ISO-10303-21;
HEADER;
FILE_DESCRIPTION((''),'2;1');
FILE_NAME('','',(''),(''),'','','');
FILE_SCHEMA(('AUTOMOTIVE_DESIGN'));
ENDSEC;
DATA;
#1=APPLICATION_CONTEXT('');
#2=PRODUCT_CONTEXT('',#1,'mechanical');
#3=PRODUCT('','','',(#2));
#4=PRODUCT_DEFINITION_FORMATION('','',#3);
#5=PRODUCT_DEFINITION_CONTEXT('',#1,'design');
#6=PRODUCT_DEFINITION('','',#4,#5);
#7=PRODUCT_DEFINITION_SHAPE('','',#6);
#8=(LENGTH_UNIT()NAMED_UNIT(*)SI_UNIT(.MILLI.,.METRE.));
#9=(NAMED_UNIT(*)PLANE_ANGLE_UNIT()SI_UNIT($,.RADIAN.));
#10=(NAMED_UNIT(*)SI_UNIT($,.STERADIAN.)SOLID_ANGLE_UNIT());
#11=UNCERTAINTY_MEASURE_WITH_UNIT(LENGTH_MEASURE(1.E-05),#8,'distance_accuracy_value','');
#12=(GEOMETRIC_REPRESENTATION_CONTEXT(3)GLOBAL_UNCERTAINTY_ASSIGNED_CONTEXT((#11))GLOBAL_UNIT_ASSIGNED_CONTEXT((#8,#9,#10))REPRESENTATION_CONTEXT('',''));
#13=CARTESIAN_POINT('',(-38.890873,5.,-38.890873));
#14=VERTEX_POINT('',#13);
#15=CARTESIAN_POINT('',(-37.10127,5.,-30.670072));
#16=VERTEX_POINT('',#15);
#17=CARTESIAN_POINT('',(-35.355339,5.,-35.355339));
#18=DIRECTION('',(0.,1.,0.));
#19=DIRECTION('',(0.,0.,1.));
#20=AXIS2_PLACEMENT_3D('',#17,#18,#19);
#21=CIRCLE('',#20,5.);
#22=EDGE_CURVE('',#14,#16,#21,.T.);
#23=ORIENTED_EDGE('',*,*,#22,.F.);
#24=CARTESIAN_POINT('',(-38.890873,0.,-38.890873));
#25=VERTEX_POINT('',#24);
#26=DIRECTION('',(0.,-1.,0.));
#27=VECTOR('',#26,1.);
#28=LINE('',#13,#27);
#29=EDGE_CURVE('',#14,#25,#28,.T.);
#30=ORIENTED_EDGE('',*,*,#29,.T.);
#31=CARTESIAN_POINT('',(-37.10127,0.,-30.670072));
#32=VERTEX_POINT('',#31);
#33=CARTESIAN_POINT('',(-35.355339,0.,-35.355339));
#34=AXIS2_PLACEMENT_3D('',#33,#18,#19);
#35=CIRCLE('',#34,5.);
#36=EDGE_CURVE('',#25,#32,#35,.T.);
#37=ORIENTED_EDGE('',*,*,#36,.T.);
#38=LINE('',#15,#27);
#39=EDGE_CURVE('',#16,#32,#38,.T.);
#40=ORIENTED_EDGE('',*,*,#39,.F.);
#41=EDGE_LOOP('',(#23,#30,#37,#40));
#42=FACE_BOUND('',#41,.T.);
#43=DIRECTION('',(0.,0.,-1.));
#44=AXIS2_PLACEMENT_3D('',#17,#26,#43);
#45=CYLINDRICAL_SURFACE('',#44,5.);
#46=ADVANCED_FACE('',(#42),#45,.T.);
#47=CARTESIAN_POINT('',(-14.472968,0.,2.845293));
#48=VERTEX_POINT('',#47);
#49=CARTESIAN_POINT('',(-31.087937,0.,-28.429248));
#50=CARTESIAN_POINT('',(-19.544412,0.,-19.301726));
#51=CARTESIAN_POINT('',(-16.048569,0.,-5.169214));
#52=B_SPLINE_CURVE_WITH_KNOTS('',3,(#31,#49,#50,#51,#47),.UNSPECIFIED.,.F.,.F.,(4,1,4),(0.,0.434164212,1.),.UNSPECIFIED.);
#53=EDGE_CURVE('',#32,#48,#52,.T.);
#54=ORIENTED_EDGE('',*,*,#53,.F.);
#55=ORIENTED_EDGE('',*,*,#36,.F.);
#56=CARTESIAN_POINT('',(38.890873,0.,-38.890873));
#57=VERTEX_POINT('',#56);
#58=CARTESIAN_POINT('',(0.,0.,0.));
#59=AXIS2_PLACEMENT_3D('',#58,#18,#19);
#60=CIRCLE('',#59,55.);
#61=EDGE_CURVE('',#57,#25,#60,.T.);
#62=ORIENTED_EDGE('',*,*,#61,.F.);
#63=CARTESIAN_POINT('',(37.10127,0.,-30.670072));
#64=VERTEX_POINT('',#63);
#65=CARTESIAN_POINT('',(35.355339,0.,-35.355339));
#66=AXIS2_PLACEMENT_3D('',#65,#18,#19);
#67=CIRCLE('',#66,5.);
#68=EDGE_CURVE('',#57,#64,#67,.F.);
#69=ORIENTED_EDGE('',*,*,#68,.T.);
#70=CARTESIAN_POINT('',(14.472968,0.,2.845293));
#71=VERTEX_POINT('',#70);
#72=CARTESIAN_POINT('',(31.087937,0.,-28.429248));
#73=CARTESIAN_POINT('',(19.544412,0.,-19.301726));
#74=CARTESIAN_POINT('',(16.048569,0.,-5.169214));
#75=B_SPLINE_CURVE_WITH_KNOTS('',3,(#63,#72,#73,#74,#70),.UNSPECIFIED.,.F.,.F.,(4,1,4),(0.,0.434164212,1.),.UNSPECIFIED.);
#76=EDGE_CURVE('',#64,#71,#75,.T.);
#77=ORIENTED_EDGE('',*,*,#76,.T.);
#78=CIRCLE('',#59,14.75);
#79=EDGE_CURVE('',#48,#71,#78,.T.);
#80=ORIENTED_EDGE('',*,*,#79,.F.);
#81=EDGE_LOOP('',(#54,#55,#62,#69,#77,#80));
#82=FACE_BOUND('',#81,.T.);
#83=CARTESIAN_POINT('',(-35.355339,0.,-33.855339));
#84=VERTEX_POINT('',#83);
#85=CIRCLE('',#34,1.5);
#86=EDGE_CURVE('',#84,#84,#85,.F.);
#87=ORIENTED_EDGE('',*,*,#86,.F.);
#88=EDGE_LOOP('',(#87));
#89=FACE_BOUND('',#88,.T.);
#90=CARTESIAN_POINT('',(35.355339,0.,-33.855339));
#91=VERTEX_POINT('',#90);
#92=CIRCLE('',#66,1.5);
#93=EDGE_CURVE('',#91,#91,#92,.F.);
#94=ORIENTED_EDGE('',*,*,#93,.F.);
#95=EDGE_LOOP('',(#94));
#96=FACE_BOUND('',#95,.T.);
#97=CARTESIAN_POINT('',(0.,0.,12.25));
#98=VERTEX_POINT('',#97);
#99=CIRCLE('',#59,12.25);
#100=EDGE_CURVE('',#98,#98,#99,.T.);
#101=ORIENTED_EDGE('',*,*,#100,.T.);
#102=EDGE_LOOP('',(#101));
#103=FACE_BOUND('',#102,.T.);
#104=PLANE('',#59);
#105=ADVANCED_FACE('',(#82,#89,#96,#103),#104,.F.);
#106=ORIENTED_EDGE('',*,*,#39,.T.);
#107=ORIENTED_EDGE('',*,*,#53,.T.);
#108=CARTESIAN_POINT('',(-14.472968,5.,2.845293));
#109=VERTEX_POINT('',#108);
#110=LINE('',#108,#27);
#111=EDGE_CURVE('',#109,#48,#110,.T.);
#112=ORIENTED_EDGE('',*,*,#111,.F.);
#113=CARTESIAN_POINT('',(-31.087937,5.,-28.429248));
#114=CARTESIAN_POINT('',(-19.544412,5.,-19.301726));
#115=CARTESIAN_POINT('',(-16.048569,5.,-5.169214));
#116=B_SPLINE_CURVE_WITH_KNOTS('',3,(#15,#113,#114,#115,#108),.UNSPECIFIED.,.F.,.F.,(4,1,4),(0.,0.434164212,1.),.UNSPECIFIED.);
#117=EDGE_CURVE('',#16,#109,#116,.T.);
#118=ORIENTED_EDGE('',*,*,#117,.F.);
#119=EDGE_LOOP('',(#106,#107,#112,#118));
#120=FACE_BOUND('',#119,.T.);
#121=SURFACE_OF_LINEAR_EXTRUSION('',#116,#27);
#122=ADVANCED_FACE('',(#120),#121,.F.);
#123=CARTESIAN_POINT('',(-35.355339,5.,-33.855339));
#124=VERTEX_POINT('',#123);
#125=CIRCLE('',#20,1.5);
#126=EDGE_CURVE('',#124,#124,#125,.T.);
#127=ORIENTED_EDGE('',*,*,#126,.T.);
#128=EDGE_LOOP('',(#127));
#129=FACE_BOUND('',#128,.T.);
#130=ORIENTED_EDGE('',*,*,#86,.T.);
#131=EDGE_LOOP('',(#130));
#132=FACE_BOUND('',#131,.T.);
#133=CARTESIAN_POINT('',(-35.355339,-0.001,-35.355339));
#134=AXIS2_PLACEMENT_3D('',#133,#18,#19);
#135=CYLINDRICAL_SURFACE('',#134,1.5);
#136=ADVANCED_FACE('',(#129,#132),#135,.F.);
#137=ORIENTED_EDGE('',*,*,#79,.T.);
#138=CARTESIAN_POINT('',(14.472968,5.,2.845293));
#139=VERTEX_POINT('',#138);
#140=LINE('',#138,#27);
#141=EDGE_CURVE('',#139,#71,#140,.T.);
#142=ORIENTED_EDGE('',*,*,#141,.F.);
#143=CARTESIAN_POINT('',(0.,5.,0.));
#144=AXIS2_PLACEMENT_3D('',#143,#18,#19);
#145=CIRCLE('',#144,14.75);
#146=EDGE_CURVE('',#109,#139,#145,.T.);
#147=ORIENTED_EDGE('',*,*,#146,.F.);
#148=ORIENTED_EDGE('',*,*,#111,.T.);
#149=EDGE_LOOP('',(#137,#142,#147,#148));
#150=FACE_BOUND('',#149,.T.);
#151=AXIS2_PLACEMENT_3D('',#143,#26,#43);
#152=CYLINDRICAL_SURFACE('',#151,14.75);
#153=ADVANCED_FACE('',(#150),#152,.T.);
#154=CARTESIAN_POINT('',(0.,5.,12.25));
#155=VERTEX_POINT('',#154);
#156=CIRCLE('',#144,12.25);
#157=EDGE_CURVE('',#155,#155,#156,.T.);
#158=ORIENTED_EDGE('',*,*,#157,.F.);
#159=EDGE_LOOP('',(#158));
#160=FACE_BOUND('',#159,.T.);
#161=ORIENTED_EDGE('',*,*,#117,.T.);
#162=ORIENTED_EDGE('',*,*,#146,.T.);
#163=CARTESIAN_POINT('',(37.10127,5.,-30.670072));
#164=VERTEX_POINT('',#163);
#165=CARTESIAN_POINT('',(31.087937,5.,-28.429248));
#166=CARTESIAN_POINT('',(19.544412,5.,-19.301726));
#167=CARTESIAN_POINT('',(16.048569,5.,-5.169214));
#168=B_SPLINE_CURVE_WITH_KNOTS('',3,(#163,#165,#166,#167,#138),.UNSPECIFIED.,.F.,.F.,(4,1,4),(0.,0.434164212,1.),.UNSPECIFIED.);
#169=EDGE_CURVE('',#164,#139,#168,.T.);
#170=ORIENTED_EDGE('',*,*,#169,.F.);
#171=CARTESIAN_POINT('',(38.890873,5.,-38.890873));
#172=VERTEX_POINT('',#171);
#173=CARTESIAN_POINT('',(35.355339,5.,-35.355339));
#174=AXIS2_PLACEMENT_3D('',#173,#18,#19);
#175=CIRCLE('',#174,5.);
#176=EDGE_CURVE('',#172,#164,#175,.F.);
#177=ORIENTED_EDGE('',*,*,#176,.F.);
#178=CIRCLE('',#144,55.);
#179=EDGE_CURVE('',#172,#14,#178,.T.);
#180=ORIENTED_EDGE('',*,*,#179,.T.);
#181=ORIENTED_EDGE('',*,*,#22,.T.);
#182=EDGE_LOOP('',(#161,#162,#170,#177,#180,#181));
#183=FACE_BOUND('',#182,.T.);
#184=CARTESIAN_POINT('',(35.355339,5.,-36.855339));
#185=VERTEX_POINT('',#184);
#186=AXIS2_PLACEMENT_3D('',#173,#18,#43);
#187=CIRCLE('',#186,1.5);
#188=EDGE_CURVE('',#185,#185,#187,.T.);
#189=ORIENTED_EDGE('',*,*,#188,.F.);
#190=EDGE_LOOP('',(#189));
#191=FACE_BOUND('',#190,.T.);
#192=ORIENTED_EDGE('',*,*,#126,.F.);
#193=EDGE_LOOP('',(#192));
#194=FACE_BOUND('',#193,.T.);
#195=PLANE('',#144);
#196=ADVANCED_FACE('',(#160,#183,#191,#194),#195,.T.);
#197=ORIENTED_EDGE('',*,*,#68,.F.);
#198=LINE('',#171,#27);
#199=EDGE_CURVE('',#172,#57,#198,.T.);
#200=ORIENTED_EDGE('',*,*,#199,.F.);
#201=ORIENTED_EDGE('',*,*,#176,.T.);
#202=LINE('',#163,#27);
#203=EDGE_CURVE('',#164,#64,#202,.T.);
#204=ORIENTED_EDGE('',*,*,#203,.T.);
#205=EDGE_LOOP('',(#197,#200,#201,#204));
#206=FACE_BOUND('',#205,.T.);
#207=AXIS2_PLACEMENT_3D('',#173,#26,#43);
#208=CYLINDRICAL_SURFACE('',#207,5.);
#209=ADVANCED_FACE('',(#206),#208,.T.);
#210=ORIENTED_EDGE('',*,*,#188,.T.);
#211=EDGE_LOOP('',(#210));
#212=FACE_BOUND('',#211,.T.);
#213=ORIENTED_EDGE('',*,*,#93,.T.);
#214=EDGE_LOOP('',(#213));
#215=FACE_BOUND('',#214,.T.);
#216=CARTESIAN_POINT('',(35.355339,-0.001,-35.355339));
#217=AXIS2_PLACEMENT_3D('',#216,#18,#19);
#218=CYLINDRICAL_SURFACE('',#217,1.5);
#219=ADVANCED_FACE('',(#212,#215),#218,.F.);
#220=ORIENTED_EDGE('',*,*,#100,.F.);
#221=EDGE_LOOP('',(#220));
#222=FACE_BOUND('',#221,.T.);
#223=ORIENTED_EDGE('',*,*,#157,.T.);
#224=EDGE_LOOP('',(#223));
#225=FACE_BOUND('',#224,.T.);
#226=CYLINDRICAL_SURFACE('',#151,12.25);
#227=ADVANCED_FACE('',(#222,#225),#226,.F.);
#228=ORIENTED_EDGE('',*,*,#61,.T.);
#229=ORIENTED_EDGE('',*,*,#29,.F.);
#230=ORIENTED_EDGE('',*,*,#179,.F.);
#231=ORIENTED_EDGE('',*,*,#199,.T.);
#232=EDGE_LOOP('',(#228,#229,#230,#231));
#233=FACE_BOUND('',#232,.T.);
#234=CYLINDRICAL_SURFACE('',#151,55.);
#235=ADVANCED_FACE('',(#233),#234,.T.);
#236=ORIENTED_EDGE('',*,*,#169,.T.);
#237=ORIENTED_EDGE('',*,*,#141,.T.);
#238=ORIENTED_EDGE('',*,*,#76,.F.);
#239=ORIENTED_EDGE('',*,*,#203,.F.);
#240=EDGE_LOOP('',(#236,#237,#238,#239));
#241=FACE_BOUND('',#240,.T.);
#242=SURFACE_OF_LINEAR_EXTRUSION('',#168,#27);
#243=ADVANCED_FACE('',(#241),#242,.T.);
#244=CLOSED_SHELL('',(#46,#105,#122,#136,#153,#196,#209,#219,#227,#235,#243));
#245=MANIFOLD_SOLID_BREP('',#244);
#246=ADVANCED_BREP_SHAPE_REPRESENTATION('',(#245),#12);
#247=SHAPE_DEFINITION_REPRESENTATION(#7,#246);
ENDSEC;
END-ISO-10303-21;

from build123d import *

# Parameters (mm, degrees)
SKETCH2_R           = 12.25
BOSS_EXTRUDE1_DEPTH = 5
CUT_EXTRUDE1_REACH  = 70.4
SKETCH3_R           = 1.5


with BuildPart() as part:
    # Sketch2 → Boss-Extrude1 (new body)
    # profile 1 of 6: a face of its own
    with BuildSketch(Plane(origin=(0, 0, 0), x_dir=(1, 0, 0), z_dir=(0, 1, 0))):
        with BuildLine():
            ThreePointArc((-37.10126952, 30.670072063), (-34.291787618, 30.469762498), (-31.819805153, 31.819805153))
            Line((-31.819805153, 31.819805153), (-38.890872965, 38.890872965))
            ThreePointArc((-38.890872965, 38.890872965), (-40.24091562, 34.291787618), (-37.10126952, 30.670072063))
        make_face()
    # profile 2 of 6: a face of its own
    with BuildSketch(Plane(origin=(0, 0, 0), x_dir=(1, 0, 0), z_dir=(0, 1, 0))):
        with BuildLine():
            Line((-38.890872965, 38.890872965), (-31.819805153, 31.819805153))
            ThreePointArc((-31.819805153, 31.819805153), (0, 45), (31.819805153, 31.819805153))
            ThreePointArc((31.819805153, 31.819805153), (34.291787618, 30.469762498), (37.10126952, 30.670072063))
            ThreePointArc((37.10126952, 30.670072063), (40.24091562, 34.291787618), (38.890872965, 38.890872965))
            ThreePointArc((38.890872965, 38.890872965), (0, 55), (-38.890872965, 38.890872965))
        make_face()
    # profile 3 of 6: a face of its own
    with BuildSketch(Plane(origin=(0, 0, 0), x_dir=(1, 0, 0), z_dir=(0, 1, 0))):
        with BuildLine():
            ThreePointArc((31.819805153, 31.819805153), (0, 45), (-31.819805153, 31.819805153))
            ThreePointArc((-31.819805153, 31.819805153), (-32.980620877, 30.615006885), (-34.095849533, 29.367891389))
            add(Edge.make_bspline(
                [(-34.095849533, 29.367891389), (-29.412092921, 27.041011889), (-19.283887533, 18.248514738), (-16.048568895, 5.169213632), (-14.472968185, -2.845292938)],
                knots=[0.074524007, 0.074524007, 0.074524007, 0.074524007, 0.434164212, 1, 1, 1, 1], degree=3))
            ThreePointArc((-14.472968185, -2.845292938), (-1.42937386, 14.68057868), (14.75, 0))
            ThreePointArc((14.75, 0), (14.68057868, -1.42937386), (14.472968185, -2.845292938))
            add(Edge.make_bspline(
                [(34.095849533, 29.367891389), (29.412092921, 27.041011889), (19.283887533, 18.248514738), (16.048568895, 5.169213632), (14.472968185, -2.845292938)],
                knots=[0.074524007, 0.074524007, 0.074524007, 0.074524007, 0.434164212, 1, 1, 1, 1], degree=3))
            ThreePointArc((34.095849533, 29.367891389), (32.980620877, 30.615006885), (31.819805153, 31.819805153))
        make_face()
    # profile 4 of 6: a face of its own
    with BuildSketch(Plane(origin=(0, 0, 0), x_dir=(1, 0, 0), z_dir=(0, 1, 0))):
        with BuildLine():
            ThreePointArc((-34.095849533, 29.367891389), (-32.980620877, 30.615006885), (-31.819805153, 31.819805153))
            ThreePointArc((-31.819805153, 31.819805153), (-34.291787618, 30.469762498), (-37.10126952, 30.670072063))
            add(Edge.make_bspline(
                [(-37.10126952, 30.670072063), (-36.069084867, 30.285436005), (-35.066409295, 29.850063244), (-34.095849533, 29.367891389)],
                knots=[0, 0, 0, 0, 0.074524007, 0.074524007, 0.074524007, 0.074524007], degree=3))
        make_face()
    # profile 5 of 6: a face of its own
    with BuildSketch(Plane(origin=(0, 0, 0), x_dir=(1, 0, 0), z_dir=(0, 1, 0))):
        with BuildLine():
            ThreePointArc((37.10126952, 30.670072063), (34.291787618, 30.469762498), (31.819805153, 31.819805153))
            ThreePointArc((31.819805153, 31.819805153), (32.980620877, 30.615006885), (34.095849533, 29.367891389))
            add(Edge.make_bspline(
                [(37.10126952, 30.670072063), (36.069084867, 30.285436005), (35.066409295, 29.850063244), (34.095849533, 29.367891389)],
                knots=[0, 0, 0, 0, 0.074524007, 0.074524007, 0.074524007, 0.074524007], degree=3))
        make_face()
    # profile 6 of 6: a face of its own
    with BuildSketch(Plane(origin=(0, 0, 0), x_dir=(1, 0, 0), z_dir=(0, 1, 0))):
        with BuildLine():
            ThreePointArc((14.75, 0), (-1.42937386, 14.68057868), (-14.472968185, -2.845292938))
            ThreePointArc((-14.472968185, -2.845292938), (0, -14.75), (14.472968185, -2.845292938))
            ThreePointArc((14.472968185, -2.845292938), (14.68057868, -1.42937386), (14.75, 0))
        make_face()
        with Locations(Location((0, 0, 0), (0, 0, 270))):
            Circle(SKETCH2_R, mode=Mode.SUBTRACT)
    extrude(amount=BOSS_EXTRUDE1_DEPTH)

    # Sketch3 → Cut-Extrude1 (cut, up to next)
    with BuildSketch(Plane(origin=(0, 5, 0), x_dir=(1, 0, 0), z_dir=(0, 1, 0)), mode=Mode.PRIVATE) as cut_extrude1_sk1:
        with Locations(Location((-35.355339059, 35.355339059, 0), (0, 0, 270))):
            Circle(SKETCH3_R)
    cut_extrude1_tool1 = extrude(cut_extrude1_sk1.sketch, amount=-CUT_EXTRUDE1_REACH, mode=Mode.PRIVATE) & part.part
    # Sketch3 → Cut-Extrude1 (cut, up to next)
    with BuildSketch(Plane(origin=(0, 5, 0), x_dir=(1, 0, 0), z_dir=(0, 1, 0)), mode=Mode.PRIVATE) as cut_extrude1_sk2:
        with Locations(Location((35.355339059, 35.355339059, 0), (0, 0, 270))):
            Circle(SKETCH3_R)
    cut_extrude1_tool2 = extrude(cut_extrude1_sk2.sketch, amount=-CUT_EXTRUDE1_REACH, mode=Mode.PRIVATE) & part.part
    add(cut_extrude1_tool1.solids().sort_by_distance((-35.355339, 5, -35.355339))[0], mode=Mode.SUBTRACT)
    add(cut_extrude1_tool2.solids().sort_by_distance((35.355339, 5, -35.355339))[0], mode=Mode.SUBTRACT)


solid = part.part
